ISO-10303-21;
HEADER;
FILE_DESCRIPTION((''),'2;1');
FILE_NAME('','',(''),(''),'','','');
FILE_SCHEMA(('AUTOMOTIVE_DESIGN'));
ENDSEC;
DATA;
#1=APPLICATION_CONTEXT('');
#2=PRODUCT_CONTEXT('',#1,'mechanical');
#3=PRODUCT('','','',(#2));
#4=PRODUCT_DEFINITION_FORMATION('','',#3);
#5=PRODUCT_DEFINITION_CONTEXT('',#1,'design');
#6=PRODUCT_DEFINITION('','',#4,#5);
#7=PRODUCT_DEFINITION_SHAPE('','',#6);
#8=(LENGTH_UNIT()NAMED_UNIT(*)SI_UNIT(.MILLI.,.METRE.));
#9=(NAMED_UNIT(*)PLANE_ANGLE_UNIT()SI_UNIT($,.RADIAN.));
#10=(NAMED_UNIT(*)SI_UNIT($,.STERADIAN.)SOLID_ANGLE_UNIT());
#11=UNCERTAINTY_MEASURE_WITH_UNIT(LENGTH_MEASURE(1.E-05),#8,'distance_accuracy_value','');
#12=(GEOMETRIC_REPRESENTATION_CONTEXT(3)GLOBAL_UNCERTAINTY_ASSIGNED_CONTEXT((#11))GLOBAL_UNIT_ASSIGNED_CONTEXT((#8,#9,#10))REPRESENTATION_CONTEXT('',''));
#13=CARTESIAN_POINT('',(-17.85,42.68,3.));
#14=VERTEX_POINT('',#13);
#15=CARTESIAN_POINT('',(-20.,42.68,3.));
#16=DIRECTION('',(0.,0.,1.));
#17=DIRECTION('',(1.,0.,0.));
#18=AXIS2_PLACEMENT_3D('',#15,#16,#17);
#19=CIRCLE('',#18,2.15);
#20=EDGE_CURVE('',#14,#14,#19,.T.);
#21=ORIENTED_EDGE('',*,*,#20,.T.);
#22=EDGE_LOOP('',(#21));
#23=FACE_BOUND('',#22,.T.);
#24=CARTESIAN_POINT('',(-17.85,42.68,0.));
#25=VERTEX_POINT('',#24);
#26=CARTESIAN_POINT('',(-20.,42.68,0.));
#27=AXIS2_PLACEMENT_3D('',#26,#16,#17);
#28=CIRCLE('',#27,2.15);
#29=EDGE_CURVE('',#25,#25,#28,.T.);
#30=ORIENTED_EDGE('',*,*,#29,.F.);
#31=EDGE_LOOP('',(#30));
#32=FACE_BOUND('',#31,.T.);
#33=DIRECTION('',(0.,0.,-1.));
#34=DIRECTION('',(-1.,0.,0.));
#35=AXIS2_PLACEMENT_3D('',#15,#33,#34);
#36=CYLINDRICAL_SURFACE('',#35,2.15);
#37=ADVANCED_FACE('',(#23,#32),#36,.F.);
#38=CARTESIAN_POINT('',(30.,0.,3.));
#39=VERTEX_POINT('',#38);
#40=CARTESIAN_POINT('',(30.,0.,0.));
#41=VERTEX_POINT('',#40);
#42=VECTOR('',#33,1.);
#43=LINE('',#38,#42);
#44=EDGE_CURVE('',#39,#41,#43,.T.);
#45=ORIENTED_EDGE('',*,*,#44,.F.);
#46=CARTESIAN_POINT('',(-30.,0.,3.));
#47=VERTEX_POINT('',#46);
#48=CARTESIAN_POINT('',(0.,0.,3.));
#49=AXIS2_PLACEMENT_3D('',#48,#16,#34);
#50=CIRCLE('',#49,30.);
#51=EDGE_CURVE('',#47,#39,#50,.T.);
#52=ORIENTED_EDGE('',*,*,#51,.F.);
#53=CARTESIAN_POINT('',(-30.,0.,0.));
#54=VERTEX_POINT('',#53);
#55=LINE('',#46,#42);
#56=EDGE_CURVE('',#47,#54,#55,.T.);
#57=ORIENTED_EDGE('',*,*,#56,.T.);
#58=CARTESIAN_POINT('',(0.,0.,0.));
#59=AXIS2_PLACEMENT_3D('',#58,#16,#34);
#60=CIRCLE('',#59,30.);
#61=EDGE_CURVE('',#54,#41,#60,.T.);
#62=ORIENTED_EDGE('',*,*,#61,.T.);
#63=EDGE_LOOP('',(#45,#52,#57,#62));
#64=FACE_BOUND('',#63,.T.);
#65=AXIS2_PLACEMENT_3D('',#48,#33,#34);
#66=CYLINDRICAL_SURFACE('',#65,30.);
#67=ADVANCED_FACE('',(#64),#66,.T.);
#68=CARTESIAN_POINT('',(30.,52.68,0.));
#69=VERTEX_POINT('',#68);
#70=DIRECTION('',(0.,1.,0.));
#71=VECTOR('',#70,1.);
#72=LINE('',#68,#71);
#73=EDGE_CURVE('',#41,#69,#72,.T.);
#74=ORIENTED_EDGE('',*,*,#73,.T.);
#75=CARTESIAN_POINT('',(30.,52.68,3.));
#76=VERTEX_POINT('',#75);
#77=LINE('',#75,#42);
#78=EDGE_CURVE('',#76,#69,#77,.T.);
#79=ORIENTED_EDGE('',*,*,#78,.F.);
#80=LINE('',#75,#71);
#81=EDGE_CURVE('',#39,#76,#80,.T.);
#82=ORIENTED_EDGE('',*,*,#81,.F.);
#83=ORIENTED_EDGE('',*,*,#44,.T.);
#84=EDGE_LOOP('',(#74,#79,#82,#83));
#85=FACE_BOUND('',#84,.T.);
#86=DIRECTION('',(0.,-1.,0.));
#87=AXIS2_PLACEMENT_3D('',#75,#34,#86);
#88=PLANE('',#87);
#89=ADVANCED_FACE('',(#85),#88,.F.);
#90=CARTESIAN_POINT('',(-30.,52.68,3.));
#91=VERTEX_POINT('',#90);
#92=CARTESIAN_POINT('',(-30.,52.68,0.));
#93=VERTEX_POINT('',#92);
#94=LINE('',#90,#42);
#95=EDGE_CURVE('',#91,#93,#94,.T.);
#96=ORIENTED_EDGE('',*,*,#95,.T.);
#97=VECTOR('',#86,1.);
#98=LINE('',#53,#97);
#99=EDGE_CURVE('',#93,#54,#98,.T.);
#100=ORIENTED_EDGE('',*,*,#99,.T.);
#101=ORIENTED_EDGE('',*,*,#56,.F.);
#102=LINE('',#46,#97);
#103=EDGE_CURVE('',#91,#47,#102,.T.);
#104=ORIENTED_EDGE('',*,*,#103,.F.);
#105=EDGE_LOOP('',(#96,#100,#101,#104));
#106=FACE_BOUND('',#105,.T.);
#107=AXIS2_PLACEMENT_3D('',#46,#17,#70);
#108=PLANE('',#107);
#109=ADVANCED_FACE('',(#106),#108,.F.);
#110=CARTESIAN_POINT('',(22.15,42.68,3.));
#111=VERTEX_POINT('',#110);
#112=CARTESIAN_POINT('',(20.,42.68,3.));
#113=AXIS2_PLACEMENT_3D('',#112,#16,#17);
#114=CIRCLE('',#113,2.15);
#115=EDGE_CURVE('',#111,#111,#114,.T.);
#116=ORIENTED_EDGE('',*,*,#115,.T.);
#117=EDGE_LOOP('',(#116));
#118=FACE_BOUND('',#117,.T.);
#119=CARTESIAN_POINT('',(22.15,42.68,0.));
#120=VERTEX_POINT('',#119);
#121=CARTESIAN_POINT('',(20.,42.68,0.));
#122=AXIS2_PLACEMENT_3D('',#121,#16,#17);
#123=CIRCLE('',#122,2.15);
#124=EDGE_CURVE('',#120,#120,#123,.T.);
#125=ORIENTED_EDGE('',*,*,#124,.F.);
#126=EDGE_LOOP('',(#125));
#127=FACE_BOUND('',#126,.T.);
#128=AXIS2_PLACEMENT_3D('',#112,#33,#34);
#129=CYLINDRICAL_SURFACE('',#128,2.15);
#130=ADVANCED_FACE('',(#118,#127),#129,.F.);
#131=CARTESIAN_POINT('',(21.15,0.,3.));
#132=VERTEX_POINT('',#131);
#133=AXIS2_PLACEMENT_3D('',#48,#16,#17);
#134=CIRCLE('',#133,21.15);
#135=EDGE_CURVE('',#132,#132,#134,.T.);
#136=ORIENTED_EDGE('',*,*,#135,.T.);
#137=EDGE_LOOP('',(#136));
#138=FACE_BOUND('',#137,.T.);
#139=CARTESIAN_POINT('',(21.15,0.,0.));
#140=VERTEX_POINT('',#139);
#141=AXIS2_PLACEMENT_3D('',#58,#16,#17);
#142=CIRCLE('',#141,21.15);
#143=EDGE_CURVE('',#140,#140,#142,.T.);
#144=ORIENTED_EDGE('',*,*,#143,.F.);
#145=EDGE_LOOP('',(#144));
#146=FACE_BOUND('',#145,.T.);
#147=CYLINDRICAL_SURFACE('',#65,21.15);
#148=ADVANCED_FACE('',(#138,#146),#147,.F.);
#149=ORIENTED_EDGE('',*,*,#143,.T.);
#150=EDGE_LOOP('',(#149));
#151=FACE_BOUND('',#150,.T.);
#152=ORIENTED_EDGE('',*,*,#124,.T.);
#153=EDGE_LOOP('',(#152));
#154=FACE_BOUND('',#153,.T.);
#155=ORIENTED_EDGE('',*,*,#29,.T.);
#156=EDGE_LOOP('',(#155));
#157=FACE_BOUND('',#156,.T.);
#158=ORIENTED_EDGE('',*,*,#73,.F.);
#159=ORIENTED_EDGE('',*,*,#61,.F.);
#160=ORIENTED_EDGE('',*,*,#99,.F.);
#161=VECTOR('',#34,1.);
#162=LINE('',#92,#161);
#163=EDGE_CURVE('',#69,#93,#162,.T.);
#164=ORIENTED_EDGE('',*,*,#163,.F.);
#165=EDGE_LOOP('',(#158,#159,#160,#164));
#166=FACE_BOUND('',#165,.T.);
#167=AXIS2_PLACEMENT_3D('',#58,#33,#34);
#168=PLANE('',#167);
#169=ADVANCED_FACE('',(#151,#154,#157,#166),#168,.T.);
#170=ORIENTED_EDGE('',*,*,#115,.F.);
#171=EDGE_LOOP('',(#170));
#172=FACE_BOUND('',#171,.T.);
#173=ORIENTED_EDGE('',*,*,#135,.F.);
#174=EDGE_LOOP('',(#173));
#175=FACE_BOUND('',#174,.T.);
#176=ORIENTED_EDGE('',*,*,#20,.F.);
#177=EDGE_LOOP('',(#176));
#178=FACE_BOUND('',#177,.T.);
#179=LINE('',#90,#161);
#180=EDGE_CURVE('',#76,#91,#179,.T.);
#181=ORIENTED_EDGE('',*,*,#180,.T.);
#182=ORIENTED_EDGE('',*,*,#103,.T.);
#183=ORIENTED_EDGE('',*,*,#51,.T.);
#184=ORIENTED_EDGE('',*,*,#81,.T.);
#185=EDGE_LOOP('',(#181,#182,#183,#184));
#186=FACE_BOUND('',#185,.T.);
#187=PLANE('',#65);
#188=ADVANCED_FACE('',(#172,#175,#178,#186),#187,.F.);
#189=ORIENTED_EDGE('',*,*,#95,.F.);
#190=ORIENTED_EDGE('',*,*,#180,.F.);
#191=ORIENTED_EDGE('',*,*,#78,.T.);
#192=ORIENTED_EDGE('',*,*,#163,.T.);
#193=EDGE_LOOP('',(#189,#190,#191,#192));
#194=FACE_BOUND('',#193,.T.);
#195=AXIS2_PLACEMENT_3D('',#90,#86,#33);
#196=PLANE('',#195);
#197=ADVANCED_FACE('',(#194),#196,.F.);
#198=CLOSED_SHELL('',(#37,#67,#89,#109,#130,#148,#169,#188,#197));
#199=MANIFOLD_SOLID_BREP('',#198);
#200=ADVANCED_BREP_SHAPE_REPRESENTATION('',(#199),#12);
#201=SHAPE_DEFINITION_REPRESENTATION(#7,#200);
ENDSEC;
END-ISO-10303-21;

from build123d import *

# Parameters (mm, degrees)
SKETCH_1_R      = 21.15
SKETCH_1_R_2    = 2.15
EXTRUDE_1_DEPTH = 3


with BuildPart() as part:
    # 草图1 → 凸台-拉伸1 (new body)
    with BuildSketch(Plane.XY):
        with BuildLine():
            Line((-30, 0), (-30, 52.68))
            Line((-30, 52.68), (30, 52.68))
            Line((30, 52.68), (30, 0))
            ThreePointArc((30, 0), (0, -30), (-30, 0))
        make_face()
        Circle(SKETCH_1_R, mode=Mode.SUBTRACT)
        with Locations((-20, 42.68)):
            Circle(SKETCH_1_R_2, mode=Mode.SUBTRACT)
        with Locations((20, 42.68)):
            Circle(SKETCH_1_R_2, mode=Mode.SUBTRACT)
    extrude(amount=EXTRUDE_1_DEPTH)


solid = part.part
